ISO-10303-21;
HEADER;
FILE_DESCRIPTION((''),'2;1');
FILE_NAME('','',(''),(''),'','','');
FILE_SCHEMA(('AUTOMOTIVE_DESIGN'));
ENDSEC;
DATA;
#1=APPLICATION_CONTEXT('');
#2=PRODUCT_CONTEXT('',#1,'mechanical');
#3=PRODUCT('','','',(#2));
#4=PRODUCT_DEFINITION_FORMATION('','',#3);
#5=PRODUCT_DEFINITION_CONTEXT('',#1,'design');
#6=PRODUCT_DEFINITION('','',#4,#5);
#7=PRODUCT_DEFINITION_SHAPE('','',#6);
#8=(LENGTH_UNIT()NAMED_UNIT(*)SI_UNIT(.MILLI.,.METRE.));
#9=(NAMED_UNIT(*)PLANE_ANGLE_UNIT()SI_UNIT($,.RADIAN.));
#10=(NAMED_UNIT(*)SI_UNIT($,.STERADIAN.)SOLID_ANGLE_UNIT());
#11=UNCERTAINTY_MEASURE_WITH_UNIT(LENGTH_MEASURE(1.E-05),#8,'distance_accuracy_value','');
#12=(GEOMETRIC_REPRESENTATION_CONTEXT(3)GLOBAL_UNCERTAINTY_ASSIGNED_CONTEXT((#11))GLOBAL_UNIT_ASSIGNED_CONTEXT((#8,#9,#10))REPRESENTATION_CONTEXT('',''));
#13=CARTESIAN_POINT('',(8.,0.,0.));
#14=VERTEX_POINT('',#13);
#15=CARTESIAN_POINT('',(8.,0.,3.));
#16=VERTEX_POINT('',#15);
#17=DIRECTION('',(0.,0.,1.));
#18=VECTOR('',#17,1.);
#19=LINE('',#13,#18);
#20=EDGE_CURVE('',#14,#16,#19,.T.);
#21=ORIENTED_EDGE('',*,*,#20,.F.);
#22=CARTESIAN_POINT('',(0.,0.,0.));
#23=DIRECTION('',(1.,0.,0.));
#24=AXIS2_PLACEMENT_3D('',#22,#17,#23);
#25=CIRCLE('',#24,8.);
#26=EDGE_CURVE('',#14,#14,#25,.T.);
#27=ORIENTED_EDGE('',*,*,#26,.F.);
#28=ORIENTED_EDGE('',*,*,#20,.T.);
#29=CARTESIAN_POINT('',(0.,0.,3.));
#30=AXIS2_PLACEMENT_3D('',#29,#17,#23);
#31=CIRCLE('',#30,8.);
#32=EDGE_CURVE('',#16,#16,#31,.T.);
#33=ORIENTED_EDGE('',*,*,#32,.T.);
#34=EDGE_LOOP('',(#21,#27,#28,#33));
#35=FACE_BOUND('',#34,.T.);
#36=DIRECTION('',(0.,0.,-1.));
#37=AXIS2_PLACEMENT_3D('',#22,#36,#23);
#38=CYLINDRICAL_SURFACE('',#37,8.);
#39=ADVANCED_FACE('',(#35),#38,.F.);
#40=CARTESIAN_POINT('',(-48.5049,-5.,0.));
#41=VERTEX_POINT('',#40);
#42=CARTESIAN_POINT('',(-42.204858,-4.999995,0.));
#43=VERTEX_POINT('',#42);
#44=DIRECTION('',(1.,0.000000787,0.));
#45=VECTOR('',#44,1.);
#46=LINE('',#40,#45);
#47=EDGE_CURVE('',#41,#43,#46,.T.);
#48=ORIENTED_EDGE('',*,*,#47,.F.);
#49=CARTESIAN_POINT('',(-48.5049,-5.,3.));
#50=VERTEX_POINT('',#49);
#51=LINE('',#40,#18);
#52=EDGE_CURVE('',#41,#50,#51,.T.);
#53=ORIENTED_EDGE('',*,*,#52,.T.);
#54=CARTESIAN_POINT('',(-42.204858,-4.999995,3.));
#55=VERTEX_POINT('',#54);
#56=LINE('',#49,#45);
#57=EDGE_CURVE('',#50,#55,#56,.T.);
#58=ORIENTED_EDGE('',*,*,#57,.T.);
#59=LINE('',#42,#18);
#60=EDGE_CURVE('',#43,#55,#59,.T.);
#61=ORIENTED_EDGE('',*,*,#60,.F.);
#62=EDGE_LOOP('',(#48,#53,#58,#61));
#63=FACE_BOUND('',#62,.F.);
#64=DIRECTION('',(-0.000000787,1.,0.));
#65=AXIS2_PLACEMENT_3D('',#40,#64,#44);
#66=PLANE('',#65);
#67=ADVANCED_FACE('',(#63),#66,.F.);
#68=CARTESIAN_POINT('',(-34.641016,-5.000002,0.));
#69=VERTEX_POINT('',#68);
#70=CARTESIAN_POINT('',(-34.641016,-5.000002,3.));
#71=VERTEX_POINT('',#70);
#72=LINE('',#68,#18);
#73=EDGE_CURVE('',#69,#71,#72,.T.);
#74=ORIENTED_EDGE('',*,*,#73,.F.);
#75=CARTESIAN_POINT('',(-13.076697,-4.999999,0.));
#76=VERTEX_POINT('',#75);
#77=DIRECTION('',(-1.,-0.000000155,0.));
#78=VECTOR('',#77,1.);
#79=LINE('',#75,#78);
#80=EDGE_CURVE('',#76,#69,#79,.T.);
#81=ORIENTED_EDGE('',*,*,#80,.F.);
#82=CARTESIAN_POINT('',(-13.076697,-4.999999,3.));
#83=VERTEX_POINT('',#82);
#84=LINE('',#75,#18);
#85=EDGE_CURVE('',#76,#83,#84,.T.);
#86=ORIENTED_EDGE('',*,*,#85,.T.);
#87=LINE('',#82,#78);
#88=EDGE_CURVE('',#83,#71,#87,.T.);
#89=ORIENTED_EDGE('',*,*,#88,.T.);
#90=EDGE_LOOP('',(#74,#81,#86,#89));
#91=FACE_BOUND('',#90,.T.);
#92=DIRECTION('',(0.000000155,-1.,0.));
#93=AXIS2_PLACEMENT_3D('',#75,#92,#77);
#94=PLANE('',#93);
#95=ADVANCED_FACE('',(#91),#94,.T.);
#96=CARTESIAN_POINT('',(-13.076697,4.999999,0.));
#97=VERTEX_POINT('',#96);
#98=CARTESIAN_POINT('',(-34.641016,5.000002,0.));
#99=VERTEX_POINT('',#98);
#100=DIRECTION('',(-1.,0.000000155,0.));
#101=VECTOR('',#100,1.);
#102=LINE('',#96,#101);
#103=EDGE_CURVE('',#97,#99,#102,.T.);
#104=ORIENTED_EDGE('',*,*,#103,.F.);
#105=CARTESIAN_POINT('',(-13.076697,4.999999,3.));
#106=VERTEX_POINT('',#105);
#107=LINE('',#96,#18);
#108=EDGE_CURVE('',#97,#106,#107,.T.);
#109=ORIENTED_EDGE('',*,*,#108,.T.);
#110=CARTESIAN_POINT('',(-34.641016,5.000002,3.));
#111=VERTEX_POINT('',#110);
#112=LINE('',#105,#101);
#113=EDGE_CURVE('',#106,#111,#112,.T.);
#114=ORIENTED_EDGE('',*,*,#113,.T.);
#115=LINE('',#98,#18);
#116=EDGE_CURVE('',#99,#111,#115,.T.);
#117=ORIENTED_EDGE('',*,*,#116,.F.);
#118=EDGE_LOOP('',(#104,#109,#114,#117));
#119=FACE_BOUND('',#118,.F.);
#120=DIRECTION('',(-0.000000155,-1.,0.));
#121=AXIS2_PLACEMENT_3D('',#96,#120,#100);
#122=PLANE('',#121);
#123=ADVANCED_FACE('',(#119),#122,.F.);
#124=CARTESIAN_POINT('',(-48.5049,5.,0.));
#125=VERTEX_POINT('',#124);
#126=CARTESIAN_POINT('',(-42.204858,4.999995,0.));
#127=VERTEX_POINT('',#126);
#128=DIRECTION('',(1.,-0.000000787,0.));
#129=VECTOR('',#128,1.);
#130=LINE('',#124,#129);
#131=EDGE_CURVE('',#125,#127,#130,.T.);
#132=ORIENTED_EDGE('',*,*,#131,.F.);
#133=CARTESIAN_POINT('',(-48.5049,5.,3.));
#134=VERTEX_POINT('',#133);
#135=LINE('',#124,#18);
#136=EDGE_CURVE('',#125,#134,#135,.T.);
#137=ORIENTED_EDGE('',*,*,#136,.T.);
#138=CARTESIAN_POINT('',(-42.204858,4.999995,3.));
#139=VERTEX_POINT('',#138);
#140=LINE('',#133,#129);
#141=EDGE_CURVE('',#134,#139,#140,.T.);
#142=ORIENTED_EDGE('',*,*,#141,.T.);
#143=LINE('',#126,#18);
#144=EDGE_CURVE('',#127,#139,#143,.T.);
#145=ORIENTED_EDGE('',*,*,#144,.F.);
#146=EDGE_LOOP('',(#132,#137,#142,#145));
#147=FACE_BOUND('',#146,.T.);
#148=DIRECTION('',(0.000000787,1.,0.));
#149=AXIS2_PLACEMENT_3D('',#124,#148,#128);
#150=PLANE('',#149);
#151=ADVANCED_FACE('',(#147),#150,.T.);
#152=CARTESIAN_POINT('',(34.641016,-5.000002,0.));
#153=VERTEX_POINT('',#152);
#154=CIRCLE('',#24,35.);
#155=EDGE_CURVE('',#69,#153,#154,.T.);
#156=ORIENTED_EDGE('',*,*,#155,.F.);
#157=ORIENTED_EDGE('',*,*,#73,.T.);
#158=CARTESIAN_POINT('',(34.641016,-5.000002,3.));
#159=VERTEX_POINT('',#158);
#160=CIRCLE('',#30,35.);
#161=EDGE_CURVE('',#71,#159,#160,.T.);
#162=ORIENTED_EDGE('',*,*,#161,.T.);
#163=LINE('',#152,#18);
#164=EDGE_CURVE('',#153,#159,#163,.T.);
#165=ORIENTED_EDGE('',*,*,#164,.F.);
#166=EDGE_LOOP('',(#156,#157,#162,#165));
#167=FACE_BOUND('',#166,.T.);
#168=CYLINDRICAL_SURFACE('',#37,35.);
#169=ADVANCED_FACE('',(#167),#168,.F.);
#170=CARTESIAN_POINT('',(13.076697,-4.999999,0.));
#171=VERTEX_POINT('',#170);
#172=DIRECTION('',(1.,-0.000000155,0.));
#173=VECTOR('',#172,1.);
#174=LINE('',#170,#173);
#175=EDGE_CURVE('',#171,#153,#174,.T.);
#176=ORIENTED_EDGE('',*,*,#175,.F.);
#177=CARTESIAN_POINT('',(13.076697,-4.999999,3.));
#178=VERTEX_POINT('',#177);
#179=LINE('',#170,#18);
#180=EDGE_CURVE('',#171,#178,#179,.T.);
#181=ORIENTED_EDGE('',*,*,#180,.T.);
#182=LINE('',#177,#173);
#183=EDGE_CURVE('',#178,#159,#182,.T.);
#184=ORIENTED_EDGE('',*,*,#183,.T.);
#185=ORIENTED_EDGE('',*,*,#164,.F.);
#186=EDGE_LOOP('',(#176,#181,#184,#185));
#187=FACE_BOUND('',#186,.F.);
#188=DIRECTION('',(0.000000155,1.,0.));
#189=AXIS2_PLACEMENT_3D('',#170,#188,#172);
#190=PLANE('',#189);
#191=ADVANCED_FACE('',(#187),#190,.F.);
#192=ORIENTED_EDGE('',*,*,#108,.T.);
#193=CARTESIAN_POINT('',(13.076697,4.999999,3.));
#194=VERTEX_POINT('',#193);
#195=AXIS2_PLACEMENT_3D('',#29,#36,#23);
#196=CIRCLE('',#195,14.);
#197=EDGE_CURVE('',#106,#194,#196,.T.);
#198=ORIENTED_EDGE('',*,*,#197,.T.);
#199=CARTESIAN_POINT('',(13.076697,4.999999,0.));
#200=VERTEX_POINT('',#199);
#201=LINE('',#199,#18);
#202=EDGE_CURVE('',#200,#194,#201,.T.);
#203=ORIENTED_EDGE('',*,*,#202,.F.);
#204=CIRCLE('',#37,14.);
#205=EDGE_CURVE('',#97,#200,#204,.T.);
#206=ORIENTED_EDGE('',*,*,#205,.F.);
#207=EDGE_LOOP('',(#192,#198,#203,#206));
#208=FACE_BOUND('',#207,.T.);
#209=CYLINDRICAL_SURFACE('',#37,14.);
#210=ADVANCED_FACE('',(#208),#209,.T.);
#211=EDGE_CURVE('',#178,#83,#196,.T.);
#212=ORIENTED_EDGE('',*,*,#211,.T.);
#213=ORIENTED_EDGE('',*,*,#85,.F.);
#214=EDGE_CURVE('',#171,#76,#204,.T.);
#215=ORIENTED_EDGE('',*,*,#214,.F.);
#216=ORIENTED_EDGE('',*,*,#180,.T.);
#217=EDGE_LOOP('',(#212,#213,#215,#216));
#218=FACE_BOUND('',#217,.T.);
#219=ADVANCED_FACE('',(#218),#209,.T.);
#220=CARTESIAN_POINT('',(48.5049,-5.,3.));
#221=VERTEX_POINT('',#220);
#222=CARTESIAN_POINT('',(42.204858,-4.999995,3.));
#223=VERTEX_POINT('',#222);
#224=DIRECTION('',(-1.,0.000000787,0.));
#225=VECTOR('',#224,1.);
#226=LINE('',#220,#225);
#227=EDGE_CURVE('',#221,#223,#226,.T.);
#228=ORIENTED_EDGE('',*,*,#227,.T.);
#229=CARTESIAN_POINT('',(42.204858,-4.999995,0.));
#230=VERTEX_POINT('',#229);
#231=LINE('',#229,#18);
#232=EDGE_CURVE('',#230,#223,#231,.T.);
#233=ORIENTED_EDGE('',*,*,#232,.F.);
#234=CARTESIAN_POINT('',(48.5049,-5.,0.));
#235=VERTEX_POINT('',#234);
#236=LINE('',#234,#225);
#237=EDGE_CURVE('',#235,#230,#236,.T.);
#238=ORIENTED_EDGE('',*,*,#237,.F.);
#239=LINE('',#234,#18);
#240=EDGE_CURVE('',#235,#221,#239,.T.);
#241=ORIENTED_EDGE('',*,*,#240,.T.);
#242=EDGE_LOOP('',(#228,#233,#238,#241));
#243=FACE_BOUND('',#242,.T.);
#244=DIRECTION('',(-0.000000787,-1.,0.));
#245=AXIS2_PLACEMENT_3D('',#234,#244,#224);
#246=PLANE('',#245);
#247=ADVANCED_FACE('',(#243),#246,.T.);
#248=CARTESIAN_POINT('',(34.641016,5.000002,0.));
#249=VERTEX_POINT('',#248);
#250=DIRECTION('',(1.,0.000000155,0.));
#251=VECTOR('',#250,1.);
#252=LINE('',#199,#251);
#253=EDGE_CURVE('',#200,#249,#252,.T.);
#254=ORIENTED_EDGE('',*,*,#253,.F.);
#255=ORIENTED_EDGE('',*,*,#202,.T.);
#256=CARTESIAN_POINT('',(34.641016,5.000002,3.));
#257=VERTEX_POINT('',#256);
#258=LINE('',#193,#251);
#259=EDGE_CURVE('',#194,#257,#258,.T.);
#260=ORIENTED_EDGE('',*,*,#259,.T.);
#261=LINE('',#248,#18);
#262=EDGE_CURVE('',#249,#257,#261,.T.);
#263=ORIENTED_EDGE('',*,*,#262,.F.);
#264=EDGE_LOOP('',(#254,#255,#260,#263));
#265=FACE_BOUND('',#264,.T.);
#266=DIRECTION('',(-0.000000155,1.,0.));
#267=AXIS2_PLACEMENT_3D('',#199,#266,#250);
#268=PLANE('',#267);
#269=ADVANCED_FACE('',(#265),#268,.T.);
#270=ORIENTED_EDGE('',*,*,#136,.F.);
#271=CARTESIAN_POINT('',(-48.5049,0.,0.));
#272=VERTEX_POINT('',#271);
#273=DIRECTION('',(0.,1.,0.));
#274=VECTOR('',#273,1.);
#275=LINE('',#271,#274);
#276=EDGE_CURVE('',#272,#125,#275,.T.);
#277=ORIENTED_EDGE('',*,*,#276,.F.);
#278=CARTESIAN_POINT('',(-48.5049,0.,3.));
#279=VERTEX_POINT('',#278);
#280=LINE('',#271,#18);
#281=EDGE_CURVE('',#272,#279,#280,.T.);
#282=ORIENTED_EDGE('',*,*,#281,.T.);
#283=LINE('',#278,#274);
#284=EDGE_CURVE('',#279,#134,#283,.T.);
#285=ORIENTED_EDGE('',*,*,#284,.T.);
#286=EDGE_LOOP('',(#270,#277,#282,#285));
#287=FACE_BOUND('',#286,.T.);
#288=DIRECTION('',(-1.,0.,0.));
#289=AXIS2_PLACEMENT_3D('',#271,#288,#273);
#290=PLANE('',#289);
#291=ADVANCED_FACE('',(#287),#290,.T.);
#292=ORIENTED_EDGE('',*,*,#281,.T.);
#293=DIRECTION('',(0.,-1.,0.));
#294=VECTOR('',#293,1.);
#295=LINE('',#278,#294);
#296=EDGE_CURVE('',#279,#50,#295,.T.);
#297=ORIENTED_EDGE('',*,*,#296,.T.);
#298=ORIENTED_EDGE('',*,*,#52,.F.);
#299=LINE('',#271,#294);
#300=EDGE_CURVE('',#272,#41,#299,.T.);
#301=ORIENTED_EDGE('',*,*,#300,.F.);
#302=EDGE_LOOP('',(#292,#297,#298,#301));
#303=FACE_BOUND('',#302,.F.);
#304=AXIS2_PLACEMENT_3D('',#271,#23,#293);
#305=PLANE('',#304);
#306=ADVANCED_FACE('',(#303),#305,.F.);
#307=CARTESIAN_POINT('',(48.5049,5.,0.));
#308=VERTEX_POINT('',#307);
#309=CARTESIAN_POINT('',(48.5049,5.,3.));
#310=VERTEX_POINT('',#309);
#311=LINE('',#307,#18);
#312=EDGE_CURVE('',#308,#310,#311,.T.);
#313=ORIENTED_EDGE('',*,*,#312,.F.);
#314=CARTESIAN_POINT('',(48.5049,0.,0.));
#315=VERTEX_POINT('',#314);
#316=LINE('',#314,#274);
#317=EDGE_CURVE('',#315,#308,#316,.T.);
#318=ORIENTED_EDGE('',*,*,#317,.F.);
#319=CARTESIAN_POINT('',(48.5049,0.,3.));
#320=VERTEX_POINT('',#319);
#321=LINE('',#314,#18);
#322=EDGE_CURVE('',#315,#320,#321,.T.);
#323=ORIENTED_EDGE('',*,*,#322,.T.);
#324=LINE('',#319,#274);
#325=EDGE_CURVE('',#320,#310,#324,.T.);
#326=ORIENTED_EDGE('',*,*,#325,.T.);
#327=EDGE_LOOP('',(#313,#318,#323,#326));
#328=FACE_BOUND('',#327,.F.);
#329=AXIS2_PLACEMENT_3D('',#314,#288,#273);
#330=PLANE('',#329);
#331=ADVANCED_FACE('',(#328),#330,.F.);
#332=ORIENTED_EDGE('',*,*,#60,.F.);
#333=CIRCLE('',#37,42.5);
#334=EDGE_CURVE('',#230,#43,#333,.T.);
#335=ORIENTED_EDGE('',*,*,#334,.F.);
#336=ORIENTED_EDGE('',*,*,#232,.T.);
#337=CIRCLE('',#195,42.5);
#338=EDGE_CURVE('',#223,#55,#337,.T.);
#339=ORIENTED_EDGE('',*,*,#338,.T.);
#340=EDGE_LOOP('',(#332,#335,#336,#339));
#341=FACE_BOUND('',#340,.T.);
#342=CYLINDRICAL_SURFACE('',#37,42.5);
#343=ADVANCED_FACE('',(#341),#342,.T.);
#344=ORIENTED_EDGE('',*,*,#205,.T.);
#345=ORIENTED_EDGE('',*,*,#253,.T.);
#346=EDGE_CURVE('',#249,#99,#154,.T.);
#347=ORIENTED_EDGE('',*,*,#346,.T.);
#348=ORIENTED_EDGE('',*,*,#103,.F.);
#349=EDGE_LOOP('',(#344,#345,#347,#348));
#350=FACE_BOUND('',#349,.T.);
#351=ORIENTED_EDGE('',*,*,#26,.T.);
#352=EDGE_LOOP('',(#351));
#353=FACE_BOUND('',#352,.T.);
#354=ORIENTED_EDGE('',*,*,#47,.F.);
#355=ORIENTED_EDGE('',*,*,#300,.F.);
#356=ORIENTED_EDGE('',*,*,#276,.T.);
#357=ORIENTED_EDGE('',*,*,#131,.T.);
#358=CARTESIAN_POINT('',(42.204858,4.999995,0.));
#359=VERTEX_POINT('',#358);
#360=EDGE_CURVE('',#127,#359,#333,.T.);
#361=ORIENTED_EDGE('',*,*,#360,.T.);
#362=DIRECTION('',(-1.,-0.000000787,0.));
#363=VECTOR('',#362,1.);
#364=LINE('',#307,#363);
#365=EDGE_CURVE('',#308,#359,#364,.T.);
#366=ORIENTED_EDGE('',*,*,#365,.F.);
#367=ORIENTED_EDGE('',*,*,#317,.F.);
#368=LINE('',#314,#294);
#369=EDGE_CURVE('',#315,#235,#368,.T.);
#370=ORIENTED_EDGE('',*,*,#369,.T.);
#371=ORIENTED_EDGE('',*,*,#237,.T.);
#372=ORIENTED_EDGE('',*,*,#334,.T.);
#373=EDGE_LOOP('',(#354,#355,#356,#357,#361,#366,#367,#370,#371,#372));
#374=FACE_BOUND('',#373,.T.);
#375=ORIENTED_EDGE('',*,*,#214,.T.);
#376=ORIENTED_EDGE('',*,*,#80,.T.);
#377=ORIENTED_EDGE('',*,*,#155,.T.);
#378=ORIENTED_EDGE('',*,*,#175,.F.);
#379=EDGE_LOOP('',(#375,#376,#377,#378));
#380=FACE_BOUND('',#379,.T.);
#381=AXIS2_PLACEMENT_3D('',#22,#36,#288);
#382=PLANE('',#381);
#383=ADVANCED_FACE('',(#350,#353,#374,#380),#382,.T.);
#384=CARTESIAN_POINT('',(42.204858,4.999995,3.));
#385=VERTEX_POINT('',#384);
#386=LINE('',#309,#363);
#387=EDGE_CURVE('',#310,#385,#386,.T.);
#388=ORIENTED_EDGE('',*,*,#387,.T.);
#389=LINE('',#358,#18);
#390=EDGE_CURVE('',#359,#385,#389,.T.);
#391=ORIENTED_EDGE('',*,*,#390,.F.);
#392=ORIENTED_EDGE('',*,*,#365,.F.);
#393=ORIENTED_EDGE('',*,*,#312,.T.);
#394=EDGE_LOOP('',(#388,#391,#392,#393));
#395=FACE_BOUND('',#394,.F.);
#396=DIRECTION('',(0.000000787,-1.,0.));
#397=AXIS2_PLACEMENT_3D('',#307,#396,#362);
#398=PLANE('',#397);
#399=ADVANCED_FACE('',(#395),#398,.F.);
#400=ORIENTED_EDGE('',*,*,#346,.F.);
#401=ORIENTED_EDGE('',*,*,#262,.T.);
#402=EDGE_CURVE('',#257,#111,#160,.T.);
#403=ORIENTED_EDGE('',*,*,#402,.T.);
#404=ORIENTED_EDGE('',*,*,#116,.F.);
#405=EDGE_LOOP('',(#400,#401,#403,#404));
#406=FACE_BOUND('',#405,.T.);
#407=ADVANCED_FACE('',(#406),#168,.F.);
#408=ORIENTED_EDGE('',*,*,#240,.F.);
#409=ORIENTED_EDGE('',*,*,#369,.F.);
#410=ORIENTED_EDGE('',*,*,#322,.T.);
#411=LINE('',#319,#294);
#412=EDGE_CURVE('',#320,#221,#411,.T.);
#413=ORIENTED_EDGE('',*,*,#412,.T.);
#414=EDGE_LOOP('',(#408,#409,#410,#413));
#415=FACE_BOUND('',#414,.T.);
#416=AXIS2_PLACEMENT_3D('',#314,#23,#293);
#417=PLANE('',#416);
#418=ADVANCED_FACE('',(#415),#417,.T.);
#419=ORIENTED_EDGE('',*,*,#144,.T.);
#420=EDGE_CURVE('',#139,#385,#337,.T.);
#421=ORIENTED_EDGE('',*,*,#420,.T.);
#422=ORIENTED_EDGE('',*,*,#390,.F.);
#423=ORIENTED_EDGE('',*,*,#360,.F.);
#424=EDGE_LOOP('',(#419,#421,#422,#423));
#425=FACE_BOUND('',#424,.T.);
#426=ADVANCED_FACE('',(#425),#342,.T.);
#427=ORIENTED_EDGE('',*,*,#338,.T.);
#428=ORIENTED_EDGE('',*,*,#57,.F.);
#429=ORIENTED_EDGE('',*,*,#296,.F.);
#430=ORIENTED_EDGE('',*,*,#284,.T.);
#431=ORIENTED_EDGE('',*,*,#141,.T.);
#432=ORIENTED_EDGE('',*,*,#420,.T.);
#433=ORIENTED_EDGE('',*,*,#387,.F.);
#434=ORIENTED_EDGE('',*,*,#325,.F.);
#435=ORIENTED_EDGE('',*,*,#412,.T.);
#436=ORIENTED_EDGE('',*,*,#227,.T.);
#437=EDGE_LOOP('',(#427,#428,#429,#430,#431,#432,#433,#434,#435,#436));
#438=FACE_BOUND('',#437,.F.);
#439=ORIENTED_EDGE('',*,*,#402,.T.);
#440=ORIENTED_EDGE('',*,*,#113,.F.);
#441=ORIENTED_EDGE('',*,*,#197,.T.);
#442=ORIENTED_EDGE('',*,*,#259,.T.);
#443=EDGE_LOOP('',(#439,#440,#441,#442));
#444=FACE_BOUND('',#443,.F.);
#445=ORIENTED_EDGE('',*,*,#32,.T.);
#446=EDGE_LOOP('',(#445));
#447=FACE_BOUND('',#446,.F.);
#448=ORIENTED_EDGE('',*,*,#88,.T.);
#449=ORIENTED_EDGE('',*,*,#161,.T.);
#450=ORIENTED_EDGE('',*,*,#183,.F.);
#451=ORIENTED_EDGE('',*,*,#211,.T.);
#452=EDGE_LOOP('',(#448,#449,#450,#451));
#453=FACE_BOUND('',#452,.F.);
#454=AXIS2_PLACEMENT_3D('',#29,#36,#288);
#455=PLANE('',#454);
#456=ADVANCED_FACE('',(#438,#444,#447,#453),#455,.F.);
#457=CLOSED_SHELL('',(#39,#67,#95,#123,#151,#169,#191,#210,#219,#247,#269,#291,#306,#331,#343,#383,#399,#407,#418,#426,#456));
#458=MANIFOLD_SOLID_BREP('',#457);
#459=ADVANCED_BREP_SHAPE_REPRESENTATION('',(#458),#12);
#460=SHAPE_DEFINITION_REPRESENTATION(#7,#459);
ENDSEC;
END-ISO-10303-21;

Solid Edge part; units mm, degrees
sketch "Sketch1" plane through (0, 0, 0) normal (0, 0, 1) x (1, 0, 0)
  arc A0 (-42.2049, 5) -> (42.2049, 5) centre (0, 0) cw
  line L0 (48.5049, 5) -> (42.2049, 5)
  line L1 (48.5049, 0) -> (48.5049, 5)
  line L2 (48.5049, 0) -> (48.5049, -5)
  line L3 (48.5049, -5) -> (42.2049, -5)
  arc A1 (42.2049, -5) -> (-42.2049, -5) centre (0, 0) cw
  line L4 (-48.5049, -5) -> (-42.2049, -5)
  line L5 (-48.5049, 0) -> (-48.5049, -5)
  line L6 (-48.5049, 0) -> (-48.5049, 5)
  line L7 (-48.5049, 5) -> (-42.2049, 5)
  arc A2 (34.641, 5) -> (-34.641, 5) centre (0, 0) ccw
  line L8 (-13.0767, 5) -> (-34.641, 5)
  arc A3 (-13.0767, 5) -> (13.0767, 5) centre (0, 0) cw
  line L9 (13.0767, 5) -> (34.641, 5)
  line L10 (13.0767, -5) -> (34.641, -5)
  arc A4 (-34.641, -5) -> (34.641, -5) centre (0, 0) ccw
  line L11 (-13.0767, -5) -> (-34.641, -5)
  arc A5 (13.0767, -5) -> (-13.0767, -5) centre (0, 0) cw
  circle A6 centre (0, 0) radius 8
  dimension "D1" = 5
  dimension "D2" = 10
  dimension "D3" = 5
  dimension "D4" = 10
  dimension "D5" = 6.3
  dimension "D6" = 6.3
extrude "Protrusion1" add sketch "Sketch1" along normal blind 3
